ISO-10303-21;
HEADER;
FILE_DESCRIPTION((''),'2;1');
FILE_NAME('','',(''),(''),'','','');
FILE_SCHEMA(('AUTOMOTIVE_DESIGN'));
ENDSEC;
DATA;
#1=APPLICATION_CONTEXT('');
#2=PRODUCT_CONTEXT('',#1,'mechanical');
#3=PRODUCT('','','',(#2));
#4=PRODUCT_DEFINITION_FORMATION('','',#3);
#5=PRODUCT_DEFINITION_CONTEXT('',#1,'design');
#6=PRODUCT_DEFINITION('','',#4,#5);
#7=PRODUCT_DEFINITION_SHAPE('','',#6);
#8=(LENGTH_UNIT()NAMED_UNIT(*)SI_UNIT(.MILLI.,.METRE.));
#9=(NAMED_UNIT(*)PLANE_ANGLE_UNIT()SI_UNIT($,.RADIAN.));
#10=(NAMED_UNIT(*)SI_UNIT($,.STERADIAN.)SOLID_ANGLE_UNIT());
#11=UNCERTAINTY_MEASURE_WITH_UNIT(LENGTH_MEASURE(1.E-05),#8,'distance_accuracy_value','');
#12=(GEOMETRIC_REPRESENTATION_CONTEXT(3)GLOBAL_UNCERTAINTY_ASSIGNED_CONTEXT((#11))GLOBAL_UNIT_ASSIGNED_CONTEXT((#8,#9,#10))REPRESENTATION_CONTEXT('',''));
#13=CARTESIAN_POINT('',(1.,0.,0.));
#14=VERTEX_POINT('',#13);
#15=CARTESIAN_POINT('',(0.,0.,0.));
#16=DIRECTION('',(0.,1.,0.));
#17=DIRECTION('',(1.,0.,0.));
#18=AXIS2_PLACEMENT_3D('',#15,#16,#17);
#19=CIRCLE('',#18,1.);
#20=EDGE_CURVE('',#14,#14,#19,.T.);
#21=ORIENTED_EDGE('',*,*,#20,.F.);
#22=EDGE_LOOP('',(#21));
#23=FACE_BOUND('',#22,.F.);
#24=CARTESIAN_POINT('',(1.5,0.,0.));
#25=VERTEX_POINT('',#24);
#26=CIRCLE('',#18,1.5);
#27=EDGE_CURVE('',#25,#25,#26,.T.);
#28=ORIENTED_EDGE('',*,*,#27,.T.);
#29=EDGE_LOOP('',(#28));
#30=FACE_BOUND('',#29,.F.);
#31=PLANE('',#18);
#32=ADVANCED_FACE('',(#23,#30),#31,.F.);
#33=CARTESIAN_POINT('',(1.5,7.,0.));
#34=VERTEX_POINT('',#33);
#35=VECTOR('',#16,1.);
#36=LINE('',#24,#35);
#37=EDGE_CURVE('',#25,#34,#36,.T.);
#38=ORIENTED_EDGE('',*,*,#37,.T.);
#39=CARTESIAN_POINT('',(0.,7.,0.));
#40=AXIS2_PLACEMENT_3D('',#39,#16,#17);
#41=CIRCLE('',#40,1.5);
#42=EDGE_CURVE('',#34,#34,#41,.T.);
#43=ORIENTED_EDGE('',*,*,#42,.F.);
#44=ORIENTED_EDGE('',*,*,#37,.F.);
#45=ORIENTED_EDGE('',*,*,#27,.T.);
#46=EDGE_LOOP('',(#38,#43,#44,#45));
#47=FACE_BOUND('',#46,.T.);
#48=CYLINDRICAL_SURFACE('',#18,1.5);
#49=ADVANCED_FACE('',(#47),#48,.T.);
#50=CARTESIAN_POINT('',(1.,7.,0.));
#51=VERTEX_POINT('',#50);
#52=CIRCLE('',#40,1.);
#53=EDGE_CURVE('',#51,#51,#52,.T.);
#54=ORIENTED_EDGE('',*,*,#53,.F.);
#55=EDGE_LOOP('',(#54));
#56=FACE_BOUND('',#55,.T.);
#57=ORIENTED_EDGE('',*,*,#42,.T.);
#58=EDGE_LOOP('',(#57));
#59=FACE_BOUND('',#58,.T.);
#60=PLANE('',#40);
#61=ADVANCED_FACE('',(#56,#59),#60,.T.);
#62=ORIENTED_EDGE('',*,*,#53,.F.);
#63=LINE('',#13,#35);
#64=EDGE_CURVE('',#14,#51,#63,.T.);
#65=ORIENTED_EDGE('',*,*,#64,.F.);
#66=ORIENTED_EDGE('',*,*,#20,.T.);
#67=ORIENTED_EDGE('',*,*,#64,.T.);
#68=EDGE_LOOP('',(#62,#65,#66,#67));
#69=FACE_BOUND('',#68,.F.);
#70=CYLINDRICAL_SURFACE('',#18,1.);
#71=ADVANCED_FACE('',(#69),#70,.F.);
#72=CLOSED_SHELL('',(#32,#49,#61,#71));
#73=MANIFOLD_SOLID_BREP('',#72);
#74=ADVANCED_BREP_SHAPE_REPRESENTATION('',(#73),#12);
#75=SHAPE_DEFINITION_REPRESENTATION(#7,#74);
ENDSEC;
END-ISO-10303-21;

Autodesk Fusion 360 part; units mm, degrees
cylinder "CylinderPrimitive1" add diameter 3 height 7 placed x (1, 0, 0) y (0, 0, -1) z (0, 1, 0) at (0, 0, 0)
cylinder "CylinderPrimitive2" cut diameter 2 height 7.5 placed x (1, 0, 0) y (0, 0, -1) z (0, 1, 0) at (0, 0, 0)
